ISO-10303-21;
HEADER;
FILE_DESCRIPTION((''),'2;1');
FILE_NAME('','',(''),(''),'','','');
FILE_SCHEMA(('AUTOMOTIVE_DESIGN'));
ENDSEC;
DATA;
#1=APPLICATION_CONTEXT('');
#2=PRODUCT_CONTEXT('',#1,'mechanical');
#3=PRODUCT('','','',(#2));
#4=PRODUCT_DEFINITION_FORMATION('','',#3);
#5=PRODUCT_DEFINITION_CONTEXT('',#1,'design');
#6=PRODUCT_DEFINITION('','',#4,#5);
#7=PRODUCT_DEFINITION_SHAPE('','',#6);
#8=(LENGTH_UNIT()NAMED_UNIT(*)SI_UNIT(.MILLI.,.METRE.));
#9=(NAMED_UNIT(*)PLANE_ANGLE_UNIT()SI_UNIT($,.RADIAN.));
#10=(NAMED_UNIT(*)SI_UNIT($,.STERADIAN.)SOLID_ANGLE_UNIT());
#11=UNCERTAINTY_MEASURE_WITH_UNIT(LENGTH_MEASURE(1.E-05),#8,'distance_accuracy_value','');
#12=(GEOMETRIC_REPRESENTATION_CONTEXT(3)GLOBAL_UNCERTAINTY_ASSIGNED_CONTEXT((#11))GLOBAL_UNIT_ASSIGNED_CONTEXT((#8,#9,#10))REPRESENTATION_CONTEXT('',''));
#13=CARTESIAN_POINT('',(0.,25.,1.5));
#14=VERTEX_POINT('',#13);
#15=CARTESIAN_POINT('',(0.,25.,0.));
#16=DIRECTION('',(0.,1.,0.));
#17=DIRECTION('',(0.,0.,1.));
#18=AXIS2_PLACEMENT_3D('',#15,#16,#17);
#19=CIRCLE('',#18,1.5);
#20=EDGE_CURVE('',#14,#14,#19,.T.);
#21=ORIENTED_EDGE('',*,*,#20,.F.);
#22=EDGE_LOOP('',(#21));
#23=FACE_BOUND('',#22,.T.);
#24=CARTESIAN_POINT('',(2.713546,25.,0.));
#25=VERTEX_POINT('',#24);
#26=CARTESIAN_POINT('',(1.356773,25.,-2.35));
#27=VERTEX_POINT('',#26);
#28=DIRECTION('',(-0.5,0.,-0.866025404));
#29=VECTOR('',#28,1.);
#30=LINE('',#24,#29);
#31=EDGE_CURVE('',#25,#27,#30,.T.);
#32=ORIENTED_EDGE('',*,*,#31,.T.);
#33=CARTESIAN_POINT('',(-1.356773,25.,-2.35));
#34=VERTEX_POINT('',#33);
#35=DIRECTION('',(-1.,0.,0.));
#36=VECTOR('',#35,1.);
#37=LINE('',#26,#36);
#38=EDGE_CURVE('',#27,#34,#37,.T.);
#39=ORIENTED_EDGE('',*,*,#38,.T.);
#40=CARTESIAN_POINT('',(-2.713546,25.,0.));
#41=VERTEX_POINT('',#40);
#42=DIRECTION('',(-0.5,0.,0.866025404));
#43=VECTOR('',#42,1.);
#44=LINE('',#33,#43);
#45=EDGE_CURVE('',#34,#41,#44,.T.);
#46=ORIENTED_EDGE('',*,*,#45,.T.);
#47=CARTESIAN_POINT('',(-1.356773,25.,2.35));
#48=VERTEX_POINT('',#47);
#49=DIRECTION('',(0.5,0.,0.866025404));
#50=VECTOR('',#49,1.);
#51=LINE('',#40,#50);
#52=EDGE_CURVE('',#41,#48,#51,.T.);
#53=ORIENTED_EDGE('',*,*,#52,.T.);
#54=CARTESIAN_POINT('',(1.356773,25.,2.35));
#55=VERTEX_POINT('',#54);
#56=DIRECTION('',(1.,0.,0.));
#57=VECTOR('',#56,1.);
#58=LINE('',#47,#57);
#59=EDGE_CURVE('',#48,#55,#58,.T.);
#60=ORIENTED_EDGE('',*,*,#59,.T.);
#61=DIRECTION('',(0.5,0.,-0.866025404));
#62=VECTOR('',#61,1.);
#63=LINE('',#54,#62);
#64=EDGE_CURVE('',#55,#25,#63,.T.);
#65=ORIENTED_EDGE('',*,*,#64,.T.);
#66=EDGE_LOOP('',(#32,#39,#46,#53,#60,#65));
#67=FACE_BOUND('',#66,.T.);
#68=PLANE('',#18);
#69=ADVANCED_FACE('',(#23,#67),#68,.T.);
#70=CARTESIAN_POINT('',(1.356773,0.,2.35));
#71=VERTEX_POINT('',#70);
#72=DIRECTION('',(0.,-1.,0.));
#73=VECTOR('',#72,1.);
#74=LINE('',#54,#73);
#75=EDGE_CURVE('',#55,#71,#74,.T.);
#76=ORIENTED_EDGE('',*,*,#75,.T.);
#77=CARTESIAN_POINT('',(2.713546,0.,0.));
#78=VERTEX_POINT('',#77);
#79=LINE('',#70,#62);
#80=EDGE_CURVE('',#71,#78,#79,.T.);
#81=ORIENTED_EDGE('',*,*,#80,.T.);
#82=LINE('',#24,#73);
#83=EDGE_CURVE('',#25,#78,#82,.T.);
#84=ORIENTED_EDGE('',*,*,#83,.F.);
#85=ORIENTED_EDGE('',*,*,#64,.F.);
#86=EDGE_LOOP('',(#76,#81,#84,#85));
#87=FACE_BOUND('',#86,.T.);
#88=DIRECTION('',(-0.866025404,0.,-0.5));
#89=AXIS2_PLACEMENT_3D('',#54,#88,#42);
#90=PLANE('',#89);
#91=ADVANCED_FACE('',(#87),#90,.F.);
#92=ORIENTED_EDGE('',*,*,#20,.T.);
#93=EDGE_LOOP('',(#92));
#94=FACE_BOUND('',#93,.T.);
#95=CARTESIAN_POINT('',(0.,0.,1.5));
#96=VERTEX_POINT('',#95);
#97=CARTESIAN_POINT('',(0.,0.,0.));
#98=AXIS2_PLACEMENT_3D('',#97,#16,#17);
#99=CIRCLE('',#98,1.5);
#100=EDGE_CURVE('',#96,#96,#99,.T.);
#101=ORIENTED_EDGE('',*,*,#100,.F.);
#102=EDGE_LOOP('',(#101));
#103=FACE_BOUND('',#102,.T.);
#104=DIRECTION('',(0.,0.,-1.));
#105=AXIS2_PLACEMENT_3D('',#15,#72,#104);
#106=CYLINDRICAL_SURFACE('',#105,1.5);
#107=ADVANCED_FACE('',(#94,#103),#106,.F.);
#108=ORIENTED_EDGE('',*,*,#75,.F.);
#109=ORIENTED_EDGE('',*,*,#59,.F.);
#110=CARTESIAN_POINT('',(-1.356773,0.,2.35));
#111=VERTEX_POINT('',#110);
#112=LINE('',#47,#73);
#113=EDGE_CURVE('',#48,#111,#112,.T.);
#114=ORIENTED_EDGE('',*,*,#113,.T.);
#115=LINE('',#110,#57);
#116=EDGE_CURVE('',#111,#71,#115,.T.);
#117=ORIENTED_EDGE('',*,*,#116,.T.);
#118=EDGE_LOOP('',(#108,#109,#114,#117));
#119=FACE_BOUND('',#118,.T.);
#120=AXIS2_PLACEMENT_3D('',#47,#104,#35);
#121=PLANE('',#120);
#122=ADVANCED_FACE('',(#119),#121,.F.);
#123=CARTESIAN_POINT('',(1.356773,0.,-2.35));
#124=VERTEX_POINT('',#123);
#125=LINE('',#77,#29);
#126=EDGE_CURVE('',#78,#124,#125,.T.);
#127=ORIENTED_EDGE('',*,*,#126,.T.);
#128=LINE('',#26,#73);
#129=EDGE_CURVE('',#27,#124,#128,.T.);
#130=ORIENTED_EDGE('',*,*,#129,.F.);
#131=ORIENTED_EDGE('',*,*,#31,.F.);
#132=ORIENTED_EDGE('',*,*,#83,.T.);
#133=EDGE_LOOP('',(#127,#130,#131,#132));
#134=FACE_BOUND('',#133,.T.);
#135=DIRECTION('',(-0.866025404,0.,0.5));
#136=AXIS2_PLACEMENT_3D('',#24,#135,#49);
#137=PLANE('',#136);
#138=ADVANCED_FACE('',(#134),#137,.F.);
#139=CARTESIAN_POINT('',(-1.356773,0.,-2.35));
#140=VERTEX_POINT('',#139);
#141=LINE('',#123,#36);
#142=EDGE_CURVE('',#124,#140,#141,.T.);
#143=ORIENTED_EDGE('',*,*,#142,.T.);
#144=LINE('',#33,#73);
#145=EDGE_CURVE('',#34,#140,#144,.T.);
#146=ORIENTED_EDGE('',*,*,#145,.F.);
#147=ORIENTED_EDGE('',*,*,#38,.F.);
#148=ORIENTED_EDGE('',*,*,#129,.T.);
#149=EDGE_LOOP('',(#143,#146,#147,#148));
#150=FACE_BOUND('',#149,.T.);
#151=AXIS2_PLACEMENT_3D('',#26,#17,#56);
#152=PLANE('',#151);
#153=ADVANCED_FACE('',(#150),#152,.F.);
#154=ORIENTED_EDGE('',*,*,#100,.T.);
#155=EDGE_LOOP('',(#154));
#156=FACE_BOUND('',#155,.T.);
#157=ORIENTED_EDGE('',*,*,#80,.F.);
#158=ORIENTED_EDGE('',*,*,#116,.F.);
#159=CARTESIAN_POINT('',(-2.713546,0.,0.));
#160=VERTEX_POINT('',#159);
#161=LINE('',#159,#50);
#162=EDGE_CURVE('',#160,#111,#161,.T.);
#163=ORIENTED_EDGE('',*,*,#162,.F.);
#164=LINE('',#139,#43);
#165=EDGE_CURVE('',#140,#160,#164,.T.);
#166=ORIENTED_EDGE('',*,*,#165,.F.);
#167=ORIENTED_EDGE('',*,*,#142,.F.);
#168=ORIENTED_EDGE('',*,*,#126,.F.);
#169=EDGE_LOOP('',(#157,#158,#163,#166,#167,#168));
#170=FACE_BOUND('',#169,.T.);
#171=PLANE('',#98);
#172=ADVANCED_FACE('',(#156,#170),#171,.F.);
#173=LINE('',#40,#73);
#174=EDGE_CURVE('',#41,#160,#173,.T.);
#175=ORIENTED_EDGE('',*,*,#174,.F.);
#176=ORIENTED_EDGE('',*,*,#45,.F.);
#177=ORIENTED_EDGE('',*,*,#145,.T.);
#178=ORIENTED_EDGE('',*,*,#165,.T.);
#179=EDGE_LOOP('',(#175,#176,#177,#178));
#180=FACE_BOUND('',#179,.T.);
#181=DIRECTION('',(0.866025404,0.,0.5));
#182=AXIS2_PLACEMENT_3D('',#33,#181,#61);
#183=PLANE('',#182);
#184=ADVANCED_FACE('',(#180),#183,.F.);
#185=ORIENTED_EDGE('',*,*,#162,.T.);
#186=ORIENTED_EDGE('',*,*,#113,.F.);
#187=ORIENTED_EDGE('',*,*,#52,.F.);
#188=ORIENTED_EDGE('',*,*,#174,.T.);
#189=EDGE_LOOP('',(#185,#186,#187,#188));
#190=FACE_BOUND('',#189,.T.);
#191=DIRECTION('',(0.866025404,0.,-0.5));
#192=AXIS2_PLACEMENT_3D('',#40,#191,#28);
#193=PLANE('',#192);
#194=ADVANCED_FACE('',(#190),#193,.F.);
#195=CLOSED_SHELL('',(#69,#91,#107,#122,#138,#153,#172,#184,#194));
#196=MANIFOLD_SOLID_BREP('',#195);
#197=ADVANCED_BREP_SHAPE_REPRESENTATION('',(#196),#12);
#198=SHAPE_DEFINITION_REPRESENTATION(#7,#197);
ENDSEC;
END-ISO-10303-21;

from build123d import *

# Parameters (mm, degrees)
SKETCH_1_R      = 1.5
EXTRUDE_1_DEPTH = 25


with BuildPart() as part:
    # 草图1 → 凸台-拉伸1 (new body)
    with BuildSketch(Plane(origin=(0, 0, 0), x_dir=(1, 0, 0), z_dir=(0, 1, 0))):
        Polygon((2.713546265, 0), (1.356773133, 2.35), (-1.356773133, 2.35), (-2.713546265, 0), (-1.356773133, -2.35), (1.356773133, -2.35), align=None)
        with Locations(Location((0, 0, 0), (0, 0, 270))):
            Circle(SKETCH_1_R, mode=Mode.SUBTRACT)
    extrude(amount=EXTRUDE_1_DEPTH)


solid = part.part
